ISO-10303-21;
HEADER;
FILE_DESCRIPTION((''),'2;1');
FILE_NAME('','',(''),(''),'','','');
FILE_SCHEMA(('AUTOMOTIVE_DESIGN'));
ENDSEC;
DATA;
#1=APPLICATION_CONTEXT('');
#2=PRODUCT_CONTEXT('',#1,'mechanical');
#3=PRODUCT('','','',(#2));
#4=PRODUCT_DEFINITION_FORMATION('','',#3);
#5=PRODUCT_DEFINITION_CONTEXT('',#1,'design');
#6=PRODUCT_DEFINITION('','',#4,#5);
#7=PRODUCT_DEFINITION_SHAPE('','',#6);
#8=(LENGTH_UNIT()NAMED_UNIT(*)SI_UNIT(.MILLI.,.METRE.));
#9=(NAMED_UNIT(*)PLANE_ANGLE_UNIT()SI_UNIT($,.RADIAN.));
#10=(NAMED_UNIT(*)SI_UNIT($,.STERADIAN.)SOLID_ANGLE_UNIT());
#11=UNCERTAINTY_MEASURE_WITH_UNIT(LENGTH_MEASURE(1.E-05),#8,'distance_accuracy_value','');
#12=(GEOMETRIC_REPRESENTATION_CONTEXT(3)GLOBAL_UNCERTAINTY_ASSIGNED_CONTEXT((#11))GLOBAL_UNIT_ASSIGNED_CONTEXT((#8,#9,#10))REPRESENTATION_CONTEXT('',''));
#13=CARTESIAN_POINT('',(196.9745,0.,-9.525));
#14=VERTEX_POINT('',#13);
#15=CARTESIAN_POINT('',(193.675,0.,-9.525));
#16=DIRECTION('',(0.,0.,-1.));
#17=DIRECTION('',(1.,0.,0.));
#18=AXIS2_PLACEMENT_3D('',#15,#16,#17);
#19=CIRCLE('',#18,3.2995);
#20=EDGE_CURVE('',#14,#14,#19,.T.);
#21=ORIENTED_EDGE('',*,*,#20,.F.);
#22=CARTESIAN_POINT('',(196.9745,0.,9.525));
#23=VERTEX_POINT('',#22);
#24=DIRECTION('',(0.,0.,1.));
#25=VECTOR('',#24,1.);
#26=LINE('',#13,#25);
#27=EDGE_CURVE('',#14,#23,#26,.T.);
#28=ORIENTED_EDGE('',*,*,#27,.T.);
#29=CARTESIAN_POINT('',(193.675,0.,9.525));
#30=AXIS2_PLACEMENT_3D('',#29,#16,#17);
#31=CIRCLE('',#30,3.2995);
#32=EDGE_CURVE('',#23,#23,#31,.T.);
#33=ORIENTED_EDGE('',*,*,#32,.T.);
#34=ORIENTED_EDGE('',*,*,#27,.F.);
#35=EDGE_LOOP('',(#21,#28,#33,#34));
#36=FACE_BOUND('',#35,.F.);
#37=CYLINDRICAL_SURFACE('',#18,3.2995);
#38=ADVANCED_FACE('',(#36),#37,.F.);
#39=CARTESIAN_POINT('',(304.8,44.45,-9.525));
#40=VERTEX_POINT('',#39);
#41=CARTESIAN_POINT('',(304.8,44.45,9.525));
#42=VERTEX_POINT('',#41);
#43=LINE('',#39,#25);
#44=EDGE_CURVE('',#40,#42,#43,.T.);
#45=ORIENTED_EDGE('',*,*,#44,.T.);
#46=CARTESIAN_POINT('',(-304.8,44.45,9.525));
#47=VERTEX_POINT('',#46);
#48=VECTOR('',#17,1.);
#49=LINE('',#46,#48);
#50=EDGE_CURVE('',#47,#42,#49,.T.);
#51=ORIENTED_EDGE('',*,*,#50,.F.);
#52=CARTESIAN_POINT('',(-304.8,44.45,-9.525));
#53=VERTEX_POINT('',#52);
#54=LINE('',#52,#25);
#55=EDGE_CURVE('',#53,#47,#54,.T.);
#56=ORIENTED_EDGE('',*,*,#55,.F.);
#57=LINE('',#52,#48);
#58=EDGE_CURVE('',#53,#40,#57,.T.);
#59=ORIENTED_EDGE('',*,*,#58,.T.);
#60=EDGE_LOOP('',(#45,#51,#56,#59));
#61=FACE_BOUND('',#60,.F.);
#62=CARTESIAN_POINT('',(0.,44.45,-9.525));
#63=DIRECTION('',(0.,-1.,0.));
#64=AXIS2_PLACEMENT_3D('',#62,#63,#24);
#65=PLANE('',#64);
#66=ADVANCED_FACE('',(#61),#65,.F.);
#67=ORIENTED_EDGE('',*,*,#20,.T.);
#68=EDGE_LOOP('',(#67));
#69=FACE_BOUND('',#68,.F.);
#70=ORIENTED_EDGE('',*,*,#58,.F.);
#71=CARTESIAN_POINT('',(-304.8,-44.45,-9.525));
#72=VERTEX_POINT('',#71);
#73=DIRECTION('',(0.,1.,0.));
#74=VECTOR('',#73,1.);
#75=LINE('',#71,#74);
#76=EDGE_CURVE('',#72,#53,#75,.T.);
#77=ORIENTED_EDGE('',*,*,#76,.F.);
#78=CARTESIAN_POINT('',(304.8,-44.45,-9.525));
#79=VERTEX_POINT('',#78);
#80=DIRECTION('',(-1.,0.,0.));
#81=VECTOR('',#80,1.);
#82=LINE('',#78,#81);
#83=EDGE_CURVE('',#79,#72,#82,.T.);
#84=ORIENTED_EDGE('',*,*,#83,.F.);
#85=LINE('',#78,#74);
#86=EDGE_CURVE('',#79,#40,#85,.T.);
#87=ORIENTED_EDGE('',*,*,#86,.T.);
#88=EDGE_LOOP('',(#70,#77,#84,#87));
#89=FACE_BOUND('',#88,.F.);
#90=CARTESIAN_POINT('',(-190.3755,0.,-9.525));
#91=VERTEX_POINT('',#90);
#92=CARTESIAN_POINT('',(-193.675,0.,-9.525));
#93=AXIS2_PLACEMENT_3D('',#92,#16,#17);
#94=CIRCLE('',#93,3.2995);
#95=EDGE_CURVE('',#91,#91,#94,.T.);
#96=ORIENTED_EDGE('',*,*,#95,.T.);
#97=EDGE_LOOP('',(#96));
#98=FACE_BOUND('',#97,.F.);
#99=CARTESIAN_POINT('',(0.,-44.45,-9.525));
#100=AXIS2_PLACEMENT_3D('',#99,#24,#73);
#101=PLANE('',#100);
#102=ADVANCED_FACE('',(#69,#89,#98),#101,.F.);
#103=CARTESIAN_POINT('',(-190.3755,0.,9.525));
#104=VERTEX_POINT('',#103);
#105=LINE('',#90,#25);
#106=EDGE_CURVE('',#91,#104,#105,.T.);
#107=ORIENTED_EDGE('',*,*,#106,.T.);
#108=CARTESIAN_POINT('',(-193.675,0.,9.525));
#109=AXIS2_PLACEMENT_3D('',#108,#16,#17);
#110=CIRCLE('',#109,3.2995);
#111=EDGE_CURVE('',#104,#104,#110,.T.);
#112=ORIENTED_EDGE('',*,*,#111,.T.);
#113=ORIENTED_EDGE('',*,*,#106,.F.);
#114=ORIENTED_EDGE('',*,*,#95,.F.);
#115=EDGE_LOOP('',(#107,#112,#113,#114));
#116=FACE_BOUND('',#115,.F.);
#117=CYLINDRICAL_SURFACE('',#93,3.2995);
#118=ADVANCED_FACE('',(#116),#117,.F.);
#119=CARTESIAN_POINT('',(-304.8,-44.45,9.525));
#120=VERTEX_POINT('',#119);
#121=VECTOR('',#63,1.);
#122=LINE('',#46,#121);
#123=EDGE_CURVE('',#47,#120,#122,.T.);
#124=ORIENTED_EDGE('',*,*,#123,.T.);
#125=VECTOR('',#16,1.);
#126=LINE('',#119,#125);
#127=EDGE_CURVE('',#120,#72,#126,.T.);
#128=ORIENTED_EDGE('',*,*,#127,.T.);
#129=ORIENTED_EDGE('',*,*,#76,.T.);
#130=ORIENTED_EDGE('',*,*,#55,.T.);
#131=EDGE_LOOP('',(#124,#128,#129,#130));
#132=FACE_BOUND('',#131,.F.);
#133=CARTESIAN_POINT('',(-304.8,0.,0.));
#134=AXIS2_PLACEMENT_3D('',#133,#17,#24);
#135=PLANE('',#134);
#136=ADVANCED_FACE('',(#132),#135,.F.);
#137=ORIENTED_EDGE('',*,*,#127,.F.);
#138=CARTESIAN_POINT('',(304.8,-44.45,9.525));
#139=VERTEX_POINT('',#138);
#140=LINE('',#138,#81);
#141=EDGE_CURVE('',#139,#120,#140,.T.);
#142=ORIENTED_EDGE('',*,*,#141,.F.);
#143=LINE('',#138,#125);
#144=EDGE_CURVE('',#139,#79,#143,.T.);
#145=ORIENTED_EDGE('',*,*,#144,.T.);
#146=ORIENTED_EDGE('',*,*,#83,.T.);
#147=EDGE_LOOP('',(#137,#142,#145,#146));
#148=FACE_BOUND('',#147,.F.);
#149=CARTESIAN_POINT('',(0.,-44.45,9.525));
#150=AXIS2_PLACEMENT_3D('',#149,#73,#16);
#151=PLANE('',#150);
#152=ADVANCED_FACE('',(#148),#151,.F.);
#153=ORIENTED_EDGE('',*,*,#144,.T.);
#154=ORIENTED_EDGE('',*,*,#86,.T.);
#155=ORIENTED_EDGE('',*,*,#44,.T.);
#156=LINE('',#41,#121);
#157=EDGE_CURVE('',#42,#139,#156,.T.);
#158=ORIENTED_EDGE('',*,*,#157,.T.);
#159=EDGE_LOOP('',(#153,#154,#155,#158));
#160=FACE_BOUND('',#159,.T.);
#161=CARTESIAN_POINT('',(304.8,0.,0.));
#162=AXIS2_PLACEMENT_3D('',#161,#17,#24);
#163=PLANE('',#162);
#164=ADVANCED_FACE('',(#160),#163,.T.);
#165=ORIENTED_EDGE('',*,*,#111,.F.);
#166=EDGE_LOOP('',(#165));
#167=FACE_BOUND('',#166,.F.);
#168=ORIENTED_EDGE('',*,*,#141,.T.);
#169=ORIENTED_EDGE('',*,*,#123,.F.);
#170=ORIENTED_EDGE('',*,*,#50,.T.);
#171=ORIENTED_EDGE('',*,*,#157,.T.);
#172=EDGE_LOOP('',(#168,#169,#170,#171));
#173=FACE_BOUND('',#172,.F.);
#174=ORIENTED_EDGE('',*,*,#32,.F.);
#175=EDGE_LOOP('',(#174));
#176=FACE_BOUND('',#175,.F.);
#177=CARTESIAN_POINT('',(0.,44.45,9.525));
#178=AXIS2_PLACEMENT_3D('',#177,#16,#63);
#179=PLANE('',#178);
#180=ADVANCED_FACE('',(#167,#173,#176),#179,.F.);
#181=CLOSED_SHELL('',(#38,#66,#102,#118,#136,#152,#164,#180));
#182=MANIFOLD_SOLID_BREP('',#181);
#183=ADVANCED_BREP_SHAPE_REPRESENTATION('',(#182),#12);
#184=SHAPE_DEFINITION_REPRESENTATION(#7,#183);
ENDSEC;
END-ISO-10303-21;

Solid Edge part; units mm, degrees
sketch "Sketch1" plane through (0, 0, 0) normal (1, 0, 0) x (0, 1, 0)
  line L0 (-44.45, -9.525) -> (44.45, -9.525)
  line L1 (44.45, -9.525) -> (44.45, 9.525)
  line L2 (44.45, 9.525) -> (-44.45, 9.525)
  line L3 (-44.45, 9.525) -> (-44.45, -9.525)
  dimension "D1" = 88.9
  dimension "D2" = 19.05
extrude "Protrusion1" add sketch "Sketch1" along normal mid plane 609.6
sketch "Sketch2" plane through (0, 0, -9.525) normal (0, 0, -1) x (1, 0, 0)
  circle A0 centre (193.675, 0) radius 3.2995
  circle A1 centre (-193.675, 0) radius 3.2995
  dimension "D1" = 6.5989
  dimension "D2" = 111.125
  dimension "D3" = 498.475
extrude "Cutout1" cut sketch "Sketch2" against normal through all
properties material "Wood, Pine"
